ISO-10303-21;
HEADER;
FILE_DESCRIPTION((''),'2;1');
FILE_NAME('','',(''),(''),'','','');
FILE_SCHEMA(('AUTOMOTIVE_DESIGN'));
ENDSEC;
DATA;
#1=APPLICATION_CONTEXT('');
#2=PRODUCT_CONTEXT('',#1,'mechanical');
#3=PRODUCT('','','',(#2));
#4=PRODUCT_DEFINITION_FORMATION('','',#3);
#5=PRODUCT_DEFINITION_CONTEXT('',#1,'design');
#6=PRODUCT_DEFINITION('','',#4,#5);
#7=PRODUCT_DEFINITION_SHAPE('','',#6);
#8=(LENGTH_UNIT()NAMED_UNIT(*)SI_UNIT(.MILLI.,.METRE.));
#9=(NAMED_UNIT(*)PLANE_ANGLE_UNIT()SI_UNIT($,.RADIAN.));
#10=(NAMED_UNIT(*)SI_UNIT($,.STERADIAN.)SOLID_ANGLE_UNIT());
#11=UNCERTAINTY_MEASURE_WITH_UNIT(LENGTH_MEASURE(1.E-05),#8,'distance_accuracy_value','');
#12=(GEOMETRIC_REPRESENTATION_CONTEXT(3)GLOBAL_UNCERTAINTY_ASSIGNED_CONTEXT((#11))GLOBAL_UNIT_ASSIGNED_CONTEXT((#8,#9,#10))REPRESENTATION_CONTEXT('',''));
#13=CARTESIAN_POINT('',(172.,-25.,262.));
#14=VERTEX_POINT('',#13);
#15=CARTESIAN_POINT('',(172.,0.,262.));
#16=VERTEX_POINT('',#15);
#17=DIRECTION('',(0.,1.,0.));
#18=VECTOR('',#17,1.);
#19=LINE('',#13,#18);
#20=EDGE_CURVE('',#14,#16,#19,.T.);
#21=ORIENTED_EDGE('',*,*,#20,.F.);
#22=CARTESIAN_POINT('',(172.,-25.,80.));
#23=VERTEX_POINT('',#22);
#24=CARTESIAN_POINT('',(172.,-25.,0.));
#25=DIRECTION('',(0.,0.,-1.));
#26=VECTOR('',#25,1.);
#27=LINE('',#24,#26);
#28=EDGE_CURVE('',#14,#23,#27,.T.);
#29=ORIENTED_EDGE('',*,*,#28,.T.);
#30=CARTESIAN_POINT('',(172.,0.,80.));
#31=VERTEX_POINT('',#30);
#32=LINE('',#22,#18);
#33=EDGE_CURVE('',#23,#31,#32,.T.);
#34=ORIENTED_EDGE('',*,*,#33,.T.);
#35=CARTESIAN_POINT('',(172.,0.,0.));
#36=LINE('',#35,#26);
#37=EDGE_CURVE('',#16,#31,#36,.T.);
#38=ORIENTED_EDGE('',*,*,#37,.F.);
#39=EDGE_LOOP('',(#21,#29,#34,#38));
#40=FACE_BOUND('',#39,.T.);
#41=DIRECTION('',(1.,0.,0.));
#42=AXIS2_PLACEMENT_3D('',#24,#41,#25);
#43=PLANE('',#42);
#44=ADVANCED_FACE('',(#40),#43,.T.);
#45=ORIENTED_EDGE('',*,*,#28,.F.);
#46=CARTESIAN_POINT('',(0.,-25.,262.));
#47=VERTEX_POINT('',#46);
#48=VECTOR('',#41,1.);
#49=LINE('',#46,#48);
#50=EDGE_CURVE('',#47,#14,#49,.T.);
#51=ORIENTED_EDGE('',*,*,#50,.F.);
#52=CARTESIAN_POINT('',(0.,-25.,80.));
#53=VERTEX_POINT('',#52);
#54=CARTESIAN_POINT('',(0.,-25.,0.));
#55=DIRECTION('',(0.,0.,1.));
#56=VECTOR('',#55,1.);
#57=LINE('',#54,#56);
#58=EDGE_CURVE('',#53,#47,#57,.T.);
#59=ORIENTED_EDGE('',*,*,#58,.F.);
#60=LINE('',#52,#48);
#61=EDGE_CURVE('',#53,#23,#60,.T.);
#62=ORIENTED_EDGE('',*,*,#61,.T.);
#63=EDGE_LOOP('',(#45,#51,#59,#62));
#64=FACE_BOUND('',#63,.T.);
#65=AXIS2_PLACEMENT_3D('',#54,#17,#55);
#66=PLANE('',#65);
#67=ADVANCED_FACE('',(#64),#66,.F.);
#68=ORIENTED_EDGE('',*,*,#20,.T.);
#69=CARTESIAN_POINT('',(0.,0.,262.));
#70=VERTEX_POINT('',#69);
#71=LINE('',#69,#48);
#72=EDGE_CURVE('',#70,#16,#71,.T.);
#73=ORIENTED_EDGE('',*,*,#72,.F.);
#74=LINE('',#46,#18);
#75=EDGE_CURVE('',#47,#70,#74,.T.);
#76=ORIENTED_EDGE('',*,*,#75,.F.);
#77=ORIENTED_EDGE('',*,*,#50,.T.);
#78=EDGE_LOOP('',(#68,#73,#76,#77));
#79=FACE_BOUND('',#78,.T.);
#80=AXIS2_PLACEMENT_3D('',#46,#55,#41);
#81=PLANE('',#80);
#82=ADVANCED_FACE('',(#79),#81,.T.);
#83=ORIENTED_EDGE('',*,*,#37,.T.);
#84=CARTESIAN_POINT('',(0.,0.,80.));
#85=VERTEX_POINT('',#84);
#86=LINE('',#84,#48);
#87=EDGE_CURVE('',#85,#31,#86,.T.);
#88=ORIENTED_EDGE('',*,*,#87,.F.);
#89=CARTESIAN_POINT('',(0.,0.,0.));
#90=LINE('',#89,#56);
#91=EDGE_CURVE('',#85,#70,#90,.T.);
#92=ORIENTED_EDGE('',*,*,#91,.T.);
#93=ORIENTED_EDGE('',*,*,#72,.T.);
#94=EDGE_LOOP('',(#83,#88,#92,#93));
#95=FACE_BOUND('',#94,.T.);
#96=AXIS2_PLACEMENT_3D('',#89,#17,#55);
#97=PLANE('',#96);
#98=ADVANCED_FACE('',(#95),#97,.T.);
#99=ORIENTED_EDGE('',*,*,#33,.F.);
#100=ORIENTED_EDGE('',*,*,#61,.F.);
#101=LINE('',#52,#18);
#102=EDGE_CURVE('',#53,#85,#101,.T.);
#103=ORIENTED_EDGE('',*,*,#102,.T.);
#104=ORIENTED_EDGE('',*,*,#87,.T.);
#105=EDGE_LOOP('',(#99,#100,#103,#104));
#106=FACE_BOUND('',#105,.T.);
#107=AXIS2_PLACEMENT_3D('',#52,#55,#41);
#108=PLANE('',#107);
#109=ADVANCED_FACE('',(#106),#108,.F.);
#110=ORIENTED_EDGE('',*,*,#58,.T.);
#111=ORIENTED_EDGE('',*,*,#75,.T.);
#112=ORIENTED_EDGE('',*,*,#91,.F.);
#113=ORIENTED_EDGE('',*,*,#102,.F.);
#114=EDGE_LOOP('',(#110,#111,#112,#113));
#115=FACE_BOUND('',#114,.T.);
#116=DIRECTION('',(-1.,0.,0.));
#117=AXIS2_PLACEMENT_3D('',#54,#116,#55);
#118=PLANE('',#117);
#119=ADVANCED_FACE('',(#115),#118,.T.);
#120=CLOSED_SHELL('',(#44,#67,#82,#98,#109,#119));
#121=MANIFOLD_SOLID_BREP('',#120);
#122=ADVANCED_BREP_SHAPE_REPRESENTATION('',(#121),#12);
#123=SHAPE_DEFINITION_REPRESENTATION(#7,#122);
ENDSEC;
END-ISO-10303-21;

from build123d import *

# Parameters (mm, degrees)
SKETCH2_W           = 172
SKETCH2_H           = 182
BOSS_EXTRUDE1_DEPTH = 25


with BuildPart() as part:
    # Sketch2 → Boss-Extrude1 (new body)
    with BuildSketch(Plane(origin=(0, 0, 0), x_dir=(1, 0, 0), z_dir=(0, 1, 0))):
        with Locations((86, -171)):
            Rectangle(SKETCH2_W, SKETCH2_H)
    extrude(amount=-BOSS_EXTRUDE1_DEPTH)


solid = part.part
